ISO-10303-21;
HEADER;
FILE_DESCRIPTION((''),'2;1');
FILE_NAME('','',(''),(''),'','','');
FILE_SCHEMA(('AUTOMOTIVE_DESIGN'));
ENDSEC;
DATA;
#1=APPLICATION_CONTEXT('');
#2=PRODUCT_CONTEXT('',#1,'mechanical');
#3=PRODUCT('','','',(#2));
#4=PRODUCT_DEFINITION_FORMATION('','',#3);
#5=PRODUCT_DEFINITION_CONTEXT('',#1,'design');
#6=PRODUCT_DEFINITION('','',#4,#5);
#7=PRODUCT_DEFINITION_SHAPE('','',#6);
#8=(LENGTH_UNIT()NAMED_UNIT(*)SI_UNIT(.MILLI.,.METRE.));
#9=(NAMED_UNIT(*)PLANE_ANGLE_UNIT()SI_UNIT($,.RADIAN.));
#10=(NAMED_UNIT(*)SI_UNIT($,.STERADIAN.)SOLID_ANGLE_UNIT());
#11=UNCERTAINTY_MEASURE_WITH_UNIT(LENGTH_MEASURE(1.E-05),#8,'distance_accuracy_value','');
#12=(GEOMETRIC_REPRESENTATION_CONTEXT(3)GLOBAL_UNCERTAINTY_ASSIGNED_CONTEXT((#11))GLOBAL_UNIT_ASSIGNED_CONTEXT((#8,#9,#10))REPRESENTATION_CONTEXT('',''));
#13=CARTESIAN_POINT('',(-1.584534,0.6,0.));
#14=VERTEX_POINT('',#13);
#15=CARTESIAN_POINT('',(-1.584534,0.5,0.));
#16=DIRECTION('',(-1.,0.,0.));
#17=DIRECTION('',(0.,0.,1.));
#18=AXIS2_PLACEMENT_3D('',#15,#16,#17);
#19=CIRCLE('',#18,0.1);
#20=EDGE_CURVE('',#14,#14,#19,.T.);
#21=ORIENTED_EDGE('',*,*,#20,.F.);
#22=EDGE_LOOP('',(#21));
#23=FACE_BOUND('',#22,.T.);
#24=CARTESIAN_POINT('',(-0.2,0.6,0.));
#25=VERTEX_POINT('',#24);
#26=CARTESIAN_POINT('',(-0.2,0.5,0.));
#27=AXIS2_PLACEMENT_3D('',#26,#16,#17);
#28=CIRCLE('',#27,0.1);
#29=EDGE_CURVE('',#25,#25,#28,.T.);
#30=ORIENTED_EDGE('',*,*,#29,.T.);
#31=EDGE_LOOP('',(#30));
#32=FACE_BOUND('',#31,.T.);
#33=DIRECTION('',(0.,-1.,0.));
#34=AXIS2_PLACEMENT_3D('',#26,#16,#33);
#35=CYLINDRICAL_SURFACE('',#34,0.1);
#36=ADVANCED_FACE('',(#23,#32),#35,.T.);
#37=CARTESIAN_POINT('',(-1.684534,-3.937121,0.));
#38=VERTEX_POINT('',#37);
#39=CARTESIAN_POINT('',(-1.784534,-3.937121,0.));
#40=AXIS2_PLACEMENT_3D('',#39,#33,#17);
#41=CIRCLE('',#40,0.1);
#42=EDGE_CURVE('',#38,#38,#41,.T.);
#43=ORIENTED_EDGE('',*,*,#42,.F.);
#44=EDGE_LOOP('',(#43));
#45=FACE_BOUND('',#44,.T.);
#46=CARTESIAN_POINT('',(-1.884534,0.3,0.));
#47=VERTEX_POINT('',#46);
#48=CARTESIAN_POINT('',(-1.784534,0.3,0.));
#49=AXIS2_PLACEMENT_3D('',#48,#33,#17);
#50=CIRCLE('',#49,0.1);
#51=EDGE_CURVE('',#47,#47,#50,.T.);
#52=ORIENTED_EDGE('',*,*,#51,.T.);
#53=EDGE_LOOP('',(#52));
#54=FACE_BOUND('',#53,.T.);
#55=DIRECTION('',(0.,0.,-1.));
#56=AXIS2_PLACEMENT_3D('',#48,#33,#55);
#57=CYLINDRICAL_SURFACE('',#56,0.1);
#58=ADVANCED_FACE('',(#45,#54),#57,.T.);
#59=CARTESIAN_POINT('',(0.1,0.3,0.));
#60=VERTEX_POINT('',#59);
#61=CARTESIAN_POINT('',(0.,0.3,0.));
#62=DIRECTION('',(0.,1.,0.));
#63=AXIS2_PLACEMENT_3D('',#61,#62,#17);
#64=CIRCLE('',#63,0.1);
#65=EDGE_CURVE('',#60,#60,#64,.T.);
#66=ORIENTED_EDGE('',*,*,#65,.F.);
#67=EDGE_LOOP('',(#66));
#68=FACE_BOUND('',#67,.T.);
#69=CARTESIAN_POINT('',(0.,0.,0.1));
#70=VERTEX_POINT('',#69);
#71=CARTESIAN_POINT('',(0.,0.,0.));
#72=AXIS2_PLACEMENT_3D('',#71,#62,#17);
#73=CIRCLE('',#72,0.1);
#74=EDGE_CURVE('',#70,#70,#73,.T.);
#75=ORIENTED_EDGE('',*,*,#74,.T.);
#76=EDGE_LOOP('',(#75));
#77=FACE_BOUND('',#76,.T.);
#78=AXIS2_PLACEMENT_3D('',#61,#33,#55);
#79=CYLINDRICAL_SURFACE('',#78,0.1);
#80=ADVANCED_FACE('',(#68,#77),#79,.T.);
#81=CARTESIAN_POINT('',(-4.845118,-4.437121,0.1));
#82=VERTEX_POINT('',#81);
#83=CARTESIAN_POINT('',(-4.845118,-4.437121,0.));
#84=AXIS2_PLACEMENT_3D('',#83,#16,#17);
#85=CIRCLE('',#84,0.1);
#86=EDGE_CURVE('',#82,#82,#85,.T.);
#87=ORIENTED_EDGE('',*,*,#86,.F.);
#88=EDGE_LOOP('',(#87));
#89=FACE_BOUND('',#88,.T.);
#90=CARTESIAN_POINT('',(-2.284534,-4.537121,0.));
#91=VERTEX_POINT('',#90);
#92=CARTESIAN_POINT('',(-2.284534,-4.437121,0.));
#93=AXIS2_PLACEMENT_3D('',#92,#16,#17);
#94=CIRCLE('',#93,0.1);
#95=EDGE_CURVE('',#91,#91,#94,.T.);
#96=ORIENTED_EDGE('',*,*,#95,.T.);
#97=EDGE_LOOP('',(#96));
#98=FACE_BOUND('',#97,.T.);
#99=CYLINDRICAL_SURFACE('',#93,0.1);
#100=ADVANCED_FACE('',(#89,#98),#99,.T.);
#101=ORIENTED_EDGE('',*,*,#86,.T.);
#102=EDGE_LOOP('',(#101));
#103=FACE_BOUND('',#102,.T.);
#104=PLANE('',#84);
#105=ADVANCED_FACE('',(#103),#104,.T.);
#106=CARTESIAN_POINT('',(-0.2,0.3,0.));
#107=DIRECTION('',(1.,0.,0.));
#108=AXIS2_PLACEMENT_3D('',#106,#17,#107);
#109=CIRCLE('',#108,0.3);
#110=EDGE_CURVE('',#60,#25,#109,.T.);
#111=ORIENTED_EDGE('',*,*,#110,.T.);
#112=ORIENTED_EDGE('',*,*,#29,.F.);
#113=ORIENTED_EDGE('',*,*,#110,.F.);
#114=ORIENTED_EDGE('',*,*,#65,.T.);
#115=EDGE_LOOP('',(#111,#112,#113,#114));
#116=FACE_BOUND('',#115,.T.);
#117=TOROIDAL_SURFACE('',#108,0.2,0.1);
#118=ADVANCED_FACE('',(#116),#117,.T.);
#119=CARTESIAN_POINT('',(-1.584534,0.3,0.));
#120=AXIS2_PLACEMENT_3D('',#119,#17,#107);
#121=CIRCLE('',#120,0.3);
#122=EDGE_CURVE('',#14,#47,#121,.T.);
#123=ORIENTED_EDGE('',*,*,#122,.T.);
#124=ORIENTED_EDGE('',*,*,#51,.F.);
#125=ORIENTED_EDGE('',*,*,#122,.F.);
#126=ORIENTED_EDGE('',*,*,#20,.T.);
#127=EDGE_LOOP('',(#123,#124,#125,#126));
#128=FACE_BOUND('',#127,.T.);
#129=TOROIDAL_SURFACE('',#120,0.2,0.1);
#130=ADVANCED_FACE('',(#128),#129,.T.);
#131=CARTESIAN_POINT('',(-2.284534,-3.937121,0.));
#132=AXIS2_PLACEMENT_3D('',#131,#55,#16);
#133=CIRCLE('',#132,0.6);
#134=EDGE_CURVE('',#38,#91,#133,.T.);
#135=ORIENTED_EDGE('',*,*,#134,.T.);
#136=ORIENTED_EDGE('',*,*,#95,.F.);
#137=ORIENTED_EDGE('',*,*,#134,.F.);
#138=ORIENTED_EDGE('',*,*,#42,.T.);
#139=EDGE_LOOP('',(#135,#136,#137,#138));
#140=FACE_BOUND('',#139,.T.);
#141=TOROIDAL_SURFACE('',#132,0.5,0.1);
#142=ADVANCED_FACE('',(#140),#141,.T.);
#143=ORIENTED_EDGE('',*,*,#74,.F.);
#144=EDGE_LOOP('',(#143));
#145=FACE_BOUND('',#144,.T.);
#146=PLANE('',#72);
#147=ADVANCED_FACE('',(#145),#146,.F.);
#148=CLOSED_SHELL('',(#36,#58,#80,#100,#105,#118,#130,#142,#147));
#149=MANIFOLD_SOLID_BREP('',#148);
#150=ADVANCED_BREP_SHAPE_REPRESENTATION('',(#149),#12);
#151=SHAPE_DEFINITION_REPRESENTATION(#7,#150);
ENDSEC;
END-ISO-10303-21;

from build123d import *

# Parameters (mm, degrees)
ESQUISSE2_R = 0.1


with BuildPart() as part:
    # Balayage1: sweep along a path in Esquisse1
    with BuildLine(Plane.XY) as balayage1_path:
        Line((0, 0), (0, 0.3))
        ThreePointArc((0, 0.3), (-0.058578644, 0.441421356), (-0.2, 0.5))
        Line((-0.2, 0.5), (-1.584533741, 0.5))
        ThreePointArc((-1.584533741, 0.5), (-1.725955098, 0.441421356), (-1.784533741, 0.3))
        Line((-1.784533741, 0.3), (-1.784533741, -3.937120931))
        ThreePointArc((-1.784533741, -3.937120931), (-1.930980351, -4.290674321), (-2.284533741, -4.437120931))
        Line((-2.284533741, -4.437120931), (-4.845117945, -4.437120931))
    # Esquisse2 → Balayage1 (sweep)
    with BuildSketch(Plane(origin=(0, 0, 0), x_dir=(1, 0, 0), z_dir=(0, 1, 0))):
        Circle(ESQUISSE2_R)
    sweep(path=balayage1_path.line)


solid = part.part
